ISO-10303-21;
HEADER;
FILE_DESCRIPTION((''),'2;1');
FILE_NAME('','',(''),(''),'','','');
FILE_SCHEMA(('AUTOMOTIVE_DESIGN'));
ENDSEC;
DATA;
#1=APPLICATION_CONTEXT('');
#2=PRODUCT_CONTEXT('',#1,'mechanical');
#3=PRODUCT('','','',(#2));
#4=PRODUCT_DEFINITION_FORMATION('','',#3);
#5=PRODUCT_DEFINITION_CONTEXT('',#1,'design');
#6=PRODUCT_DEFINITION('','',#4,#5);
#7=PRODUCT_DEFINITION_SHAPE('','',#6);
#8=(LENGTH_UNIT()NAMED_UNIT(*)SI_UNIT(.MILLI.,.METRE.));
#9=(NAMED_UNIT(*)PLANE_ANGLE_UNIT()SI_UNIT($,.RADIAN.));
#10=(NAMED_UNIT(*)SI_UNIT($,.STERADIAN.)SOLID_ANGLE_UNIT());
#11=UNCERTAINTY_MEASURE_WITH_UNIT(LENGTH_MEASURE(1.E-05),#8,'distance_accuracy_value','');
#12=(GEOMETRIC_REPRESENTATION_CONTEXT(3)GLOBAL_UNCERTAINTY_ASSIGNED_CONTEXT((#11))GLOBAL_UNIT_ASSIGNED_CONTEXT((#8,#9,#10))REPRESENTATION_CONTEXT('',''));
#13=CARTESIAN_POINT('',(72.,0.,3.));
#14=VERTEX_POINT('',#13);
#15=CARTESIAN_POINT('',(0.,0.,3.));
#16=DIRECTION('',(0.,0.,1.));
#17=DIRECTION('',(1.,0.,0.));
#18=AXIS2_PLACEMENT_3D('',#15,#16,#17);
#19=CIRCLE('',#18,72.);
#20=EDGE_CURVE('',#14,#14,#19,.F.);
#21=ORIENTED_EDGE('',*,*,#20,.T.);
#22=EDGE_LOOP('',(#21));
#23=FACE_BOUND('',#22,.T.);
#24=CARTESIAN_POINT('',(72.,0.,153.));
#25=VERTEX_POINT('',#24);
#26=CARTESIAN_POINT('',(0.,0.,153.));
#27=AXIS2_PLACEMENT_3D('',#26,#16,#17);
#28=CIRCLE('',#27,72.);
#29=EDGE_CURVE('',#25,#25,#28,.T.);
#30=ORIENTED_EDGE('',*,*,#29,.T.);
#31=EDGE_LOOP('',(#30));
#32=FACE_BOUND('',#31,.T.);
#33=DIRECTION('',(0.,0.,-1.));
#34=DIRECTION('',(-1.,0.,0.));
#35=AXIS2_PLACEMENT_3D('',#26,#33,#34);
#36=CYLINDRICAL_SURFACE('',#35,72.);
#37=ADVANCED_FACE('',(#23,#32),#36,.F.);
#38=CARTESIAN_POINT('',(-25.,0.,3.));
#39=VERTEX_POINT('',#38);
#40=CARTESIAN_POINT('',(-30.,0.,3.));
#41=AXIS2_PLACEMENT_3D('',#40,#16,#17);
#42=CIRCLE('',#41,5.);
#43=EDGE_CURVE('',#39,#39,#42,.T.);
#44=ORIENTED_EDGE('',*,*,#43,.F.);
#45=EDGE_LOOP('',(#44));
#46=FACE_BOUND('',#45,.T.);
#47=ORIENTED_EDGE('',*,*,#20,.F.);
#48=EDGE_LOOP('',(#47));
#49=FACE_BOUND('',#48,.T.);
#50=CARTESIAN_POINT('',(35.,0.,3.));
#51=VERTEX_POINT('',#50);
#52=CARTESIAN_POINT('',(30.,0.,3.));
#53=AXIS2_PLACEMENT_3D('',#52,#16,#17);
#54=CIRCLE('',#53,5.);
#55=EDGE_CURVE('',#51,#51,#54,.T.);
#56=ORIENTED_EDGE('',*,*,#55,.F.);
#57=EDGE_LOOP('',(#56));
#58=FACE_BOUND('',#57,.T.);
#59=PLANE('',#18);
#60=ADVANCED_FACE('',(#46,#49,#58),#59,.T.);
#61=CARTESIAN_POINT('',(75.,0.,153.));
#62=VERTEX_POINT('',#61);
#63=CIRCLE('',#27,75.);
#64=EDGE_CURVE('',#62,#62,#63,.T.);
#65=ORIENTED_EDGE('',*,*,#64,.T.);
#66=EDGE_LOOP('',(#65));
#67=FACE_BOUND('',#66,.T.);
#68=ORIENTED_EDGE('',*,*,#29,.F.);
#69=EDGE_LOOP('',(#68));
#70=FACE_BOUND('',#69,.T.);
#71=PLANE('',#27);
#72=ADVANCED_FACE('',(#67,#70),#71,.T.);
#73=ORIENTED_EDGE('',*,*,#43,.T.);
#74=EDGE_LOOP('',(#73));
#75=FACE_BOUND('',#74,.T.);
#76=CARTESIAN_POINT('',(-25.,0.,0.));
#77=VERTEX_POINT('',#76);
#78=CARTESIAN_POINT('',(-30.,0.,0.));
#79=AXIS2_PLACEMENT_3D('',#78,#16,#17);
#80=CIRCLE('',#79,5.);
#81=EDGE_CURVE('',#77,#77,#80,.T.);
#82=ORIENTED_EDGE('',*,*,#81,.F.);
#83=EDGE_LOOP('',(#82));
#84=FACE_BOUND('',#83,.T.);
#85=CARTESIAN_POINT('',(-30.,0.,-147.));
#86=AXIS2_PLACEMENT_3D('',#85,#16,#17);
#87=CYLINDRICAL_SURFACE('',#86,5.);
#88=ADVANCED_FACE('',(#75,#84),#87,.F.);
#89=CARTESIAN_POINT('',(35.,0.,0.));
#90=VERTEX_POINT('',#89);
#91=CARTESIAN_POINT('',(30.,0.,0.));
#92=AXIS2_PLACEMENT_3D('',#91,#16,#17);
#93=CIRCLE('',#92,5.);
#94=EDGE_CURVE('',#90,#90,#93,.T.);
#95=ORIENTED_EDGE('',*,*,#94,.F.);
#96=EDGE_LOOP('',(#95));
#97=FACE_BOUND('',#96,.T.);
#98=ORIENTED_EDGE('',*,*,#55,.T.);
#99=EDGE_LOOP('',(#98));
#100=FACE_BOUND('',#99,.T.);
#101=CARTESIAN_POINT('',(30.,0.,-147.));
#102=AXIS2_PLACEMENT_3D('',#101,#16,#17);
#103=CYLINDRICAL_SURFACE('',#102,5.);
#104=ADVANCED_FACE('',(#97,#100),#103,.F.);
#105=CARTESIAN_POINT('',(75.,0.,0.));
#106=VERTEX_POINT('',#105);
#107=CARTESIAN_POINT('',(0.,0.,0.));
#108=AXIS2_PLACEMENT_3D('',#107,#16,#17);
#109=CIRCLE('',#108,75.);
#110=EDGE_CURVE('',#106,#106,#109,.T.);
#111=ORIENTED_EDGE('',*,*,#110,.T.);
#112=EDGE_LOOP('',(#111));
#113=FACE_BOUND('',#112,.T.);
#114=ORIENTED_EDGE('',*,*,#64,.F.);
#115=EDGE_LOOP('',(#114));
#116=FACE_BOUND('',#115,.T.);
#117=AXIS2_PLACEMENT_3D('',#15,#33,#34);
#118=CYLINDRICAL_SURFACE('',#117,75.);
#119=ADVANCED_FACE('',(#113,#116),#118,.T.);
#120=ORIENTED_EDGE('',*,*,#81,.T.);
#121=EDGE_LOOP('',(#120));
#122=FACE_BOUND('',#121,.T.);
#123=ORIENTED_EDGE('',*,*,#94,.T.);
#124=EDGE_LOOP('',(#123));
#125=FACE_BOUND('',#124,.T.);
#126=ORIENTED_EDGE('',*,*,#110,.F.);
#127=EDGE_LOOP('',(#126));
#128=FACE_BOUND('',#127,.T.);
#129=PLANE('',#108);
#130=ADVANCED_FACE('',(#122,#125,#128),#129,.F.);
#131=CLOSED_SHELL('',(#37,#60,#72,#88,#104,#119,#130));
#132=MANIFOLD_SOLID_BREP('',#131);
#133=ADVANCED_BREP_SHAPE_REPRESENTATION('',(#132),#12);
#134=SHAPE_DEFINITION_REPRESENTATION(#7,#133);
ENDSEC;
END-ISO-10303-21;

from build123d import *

# Parameters (mm, degrees)
SKETCH1_R           = 75
BOSS_EXTRUDE1_DEPTH = 3
SKETCH2_R           = 75
SKETCH2_R_2         = 72
BOSS_EXTRUDE2_DEPTH = 150
SKETCH3_R           = 5
CUT_EXTRUDE1_DEPTH  = 150


with BuildPart() as part:
    # Sketch1 → Boss-Extrude1 (new body)
    with BuildSketch(Plane.XY):
        Circle(SKETCH1_R)
    extrude(amount=BOSS_EXTRUDE1_DEPTH)

    # Sketch2 → Boss-Extrude2 (add)
    with BuildSketch(Plane.XY.offset(3)):
        Circle(SKETCH2_R)
        Circle(SKETCH2_R_2, mode=Mode.SUBTRACT)
    extrude(amount=BOSS_EXTRUDE2_DEPTH)

    # Sketch3 → Cut-Extrude1 (cut)
    with BuildSketch(Plane.XY.offset(3)):
        with Locations((30, 0)):
            Circle(SKETCH3_R)
        with Locations((-30, 0)):
            Circle(SKETCH3_R)
    extrude(amount=-CUT_EXTRUDE1_DEPTH, mode=Mode.SUBTRACT)


solid = part.part
